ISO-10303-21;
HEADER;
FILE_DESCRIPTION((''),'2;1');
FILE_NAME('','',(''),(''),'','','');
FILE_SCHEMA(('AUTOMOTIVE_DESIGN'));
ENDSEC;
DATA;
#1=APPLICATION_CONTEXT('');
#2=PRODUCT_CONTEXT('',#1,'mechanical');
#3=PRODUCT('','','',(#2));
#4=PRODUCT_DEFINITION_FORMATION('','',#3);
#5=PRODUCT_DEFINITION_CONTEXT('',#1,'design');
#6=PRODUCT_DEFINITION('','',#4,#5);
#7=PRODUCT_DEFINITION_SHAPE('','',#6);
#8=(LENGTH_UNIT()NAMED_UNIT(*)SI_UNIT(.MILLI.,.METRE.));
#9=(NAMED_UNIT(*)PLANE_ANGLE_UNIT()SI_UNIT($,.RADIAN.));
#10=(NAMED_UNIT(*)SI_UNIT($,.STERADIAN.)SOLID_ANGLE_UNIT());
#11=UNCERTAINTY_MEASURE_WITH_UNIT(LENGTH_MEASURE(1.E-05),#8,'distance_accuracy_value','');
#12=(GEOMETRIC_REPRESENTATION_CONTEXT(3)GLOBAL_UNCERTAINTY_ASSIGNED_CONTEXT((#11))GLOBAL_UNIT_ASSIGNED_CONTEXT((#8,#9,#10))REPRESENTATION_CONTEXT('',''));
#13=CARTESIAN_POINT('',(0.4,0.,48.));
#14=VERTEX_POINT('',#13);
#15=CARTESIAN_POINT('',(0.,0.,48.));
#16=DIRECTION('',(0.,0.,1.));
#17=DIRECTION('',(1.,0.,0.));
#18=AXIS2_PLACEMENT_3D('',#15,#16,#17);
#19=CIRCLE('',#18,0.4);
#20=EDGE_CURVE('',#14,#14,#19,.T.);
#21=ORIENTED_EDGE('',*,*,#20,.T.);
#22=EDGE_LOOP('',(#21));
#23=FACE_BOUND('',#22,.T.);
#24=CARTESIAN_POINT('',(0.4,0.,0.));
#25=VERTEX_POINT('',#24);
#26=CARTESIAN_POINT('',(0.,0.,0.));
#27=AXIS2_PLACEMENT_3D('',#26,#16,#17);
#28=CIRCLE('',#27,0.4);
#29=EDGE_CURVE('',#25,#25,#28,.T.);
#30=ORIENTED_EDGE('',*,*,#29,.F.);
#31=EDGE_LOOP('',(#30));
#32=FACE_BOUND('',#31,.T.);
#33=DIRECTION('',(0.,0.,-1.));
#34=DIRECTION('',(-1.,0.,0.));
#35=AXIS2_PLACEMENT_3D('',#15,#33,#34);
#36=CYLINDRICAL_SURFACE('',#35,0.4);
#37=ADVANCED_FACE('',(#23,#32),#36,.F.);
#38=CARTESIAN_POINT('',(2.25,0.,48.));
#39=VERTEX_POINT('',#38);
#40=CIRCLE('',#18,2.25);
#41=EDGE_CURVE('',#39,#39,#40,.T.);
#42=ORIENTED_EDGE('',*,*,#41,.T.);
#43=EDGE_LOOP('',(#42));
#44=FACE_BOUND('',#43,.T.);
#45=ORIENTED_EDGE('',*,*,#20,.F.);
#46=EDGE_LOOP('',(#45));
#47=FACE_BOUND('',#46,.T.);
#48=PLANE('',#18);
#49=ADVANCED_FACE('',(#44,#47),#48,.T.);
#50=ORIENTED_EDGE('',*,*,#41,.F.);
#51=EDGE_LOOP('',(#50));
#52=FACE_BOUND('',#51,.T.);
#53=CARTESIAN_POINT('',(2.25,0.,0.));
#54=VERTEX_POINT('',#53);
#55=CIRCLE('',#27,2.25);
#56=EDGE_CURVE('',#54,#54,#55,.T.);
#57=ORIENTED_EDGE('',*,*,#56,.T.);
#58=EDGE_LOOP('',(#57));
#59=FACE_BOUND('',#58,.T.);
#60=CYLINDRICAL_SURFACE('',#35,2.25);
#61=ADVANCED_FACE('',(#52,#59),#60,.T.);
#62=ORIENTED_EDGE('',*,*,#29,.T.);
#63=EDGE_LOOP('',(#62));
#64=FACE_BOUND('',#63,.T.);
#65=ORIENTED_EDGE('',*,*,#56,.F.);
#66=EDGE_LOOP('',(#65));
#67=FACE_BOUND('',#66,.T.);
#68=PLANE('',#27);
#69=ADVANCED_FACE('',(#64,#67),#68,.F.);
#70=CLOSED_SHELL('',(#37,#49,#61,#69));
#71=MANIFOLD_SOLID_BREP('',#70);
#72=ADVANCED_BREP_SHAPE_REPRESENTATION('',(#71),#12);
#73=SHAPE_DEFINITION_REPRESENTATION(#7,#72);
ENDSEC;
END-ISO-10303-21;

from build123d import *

# Parameters (mm, degrees)
SKETCH1_R           = 2.25
SKETCH1_R_2         = 0.4
BOSS_EXTRUDE1_DEPTH = 48


with BuildPart() as part:
    # Sketch1 → Boss-Extrude1 (new body)
    with BuildSketch(Plane.XY):
        Circle(SKETCH1_R)
        Circle(SKETCH1_R_2, mode=Mode.SUBTRACT)
    extrude(amount=BOSS_EXTRUDE1_DEPTH)


solid = part.part
